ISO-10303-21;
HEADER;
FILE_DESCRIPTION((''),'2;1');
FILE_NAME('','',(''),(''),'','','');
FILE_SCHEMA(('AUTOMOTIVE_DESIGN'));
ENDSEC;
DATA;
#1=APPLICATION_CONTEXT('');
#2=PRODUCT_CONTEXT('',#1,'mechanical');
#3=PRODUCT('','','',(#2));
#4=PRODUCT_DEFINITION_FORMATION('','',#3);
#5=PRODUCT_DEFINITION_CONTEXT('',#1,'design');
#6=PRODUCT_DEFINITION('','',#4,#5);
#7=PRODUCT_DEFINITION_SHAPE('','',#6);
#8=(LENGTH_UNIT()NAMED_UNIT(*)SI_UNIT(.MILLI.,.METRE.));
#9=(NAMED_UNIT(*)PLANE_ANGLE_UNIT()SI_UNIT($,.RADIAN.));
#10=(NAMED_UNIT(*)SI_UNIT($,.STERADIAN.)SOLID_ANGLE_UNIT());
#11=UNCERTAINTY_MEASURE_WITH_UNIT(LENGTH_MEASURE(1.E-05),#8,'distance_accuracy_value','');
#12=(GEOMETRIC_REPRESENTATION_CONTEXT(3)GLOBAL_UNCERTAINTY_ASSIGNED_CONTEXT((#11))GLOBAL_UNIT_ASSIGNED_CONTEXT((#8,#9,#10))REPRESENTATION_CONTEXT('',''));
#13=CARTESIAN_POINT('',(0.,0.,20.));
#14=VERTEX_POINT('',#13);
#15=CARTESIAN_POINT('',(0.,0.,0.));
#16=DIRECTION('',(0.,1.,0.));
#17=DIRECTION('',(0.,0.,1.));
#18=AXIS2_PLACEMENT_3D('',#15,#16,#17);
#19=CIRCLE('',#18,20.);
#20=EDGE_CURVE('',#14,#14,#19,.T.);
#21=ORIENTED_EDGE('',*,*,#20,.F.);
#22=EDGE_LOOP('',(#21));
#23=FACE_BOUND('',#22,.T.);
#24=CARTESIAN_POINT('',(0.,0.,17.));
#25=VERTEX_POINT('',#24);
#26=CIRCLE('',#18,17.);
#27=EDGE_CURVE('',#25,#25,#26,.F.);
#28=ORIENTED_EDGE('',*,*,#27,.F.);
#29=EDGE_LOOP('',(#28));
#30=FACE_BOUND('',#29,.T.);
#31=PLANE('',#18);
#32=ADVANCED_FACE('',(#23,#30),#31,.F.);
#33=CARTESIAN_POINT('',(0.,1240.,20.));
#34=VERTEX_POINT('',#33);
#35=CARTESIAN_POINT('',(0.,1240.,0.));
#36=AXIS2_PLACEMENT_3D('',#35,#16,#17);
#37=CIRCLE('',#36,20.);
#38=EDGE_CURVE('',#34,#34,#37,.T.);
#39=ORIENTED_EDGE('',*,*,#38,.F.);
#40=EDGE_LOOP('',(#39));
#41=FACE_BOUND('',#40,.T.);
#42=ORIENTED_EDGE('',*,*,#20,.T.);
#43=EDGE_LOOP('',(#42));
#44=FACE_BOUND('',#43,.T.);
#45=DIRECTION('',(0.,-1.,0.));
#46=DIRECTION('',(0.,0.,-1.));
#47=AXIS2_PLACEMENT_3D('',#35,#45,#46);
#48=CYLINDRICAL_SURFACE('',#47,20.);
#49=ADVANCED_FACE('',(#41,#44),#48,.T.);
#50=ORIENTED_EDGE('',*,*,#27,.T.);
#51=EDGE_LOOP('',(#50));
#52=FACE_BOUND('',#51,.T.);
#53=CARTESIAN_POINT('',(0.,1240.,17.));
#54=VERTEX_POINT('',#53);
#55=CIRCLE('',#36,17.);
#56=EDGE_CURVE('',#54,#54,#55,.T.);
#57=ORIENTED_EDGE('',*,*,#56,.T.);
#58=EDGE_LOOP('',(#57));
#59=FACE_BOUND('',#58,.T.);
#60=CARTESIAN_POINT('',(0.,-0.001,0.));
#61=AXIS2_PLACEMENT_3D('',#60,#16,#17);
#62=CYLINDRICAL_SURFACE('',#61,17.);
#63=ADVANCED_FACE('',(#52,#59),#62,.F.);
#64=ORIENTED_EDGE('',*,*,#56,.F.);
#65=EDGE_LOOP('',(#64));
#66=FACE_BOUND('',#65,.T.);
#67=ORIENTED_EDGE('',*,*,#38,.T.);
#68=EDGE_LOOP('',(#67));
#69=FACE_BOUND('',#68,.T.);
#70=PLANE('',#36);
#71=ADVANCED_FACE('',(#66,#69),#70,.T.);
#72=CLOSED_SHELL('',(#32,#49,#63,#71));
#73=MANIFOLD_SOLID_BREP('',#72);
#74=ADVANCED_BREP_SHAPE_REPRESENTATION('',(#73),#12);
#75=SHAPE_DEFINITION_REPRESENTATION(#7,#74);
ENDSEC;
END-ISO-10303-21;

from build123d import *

# Parameters (mm, degrees)
SKETCH1_R           = 20
BOSS_EXTRUDE1_DEPTH = 1240
CUT_EXTRUDE1_REACH  = 1242
SKETCH2_R           = 17


with BuildPart() as part:
    # Sketch1 → Boss-Extrude1 (new body)
    with BuildSketch(Plane(origin=(0, 0, 0), x_dir=(1, 0, 0), z_dir=(0, 1, 0))):
        Circle(SKETCH1_R)
    extrude(amount=BOSS_EXTRUDE1_DEPTH)

    # Sketch2 → Cut-Extrude1 (cut, up to next)
    with BuildSketch(Plane(origin=(0, 1240, 0), x_dir=(1, 0, 0), z_dir=(0, 1, 0)), mode=Mode.PRIVATE) as cut_extrude1_sk1:
        Circle(SKETCH2_R)
    cut_extrude1_tool1 = extrude(cut_extrude1_sk1.sketch, amount=-CUT_EXTRUDE1_REACH, mode=Mode.PRIVATE) & part.part
    add(cut_extrude1_tool1.solids().sort_by_distance((0, 1240, 0))[0], mode=Mode.SUBTRACT)


solid = part.part
